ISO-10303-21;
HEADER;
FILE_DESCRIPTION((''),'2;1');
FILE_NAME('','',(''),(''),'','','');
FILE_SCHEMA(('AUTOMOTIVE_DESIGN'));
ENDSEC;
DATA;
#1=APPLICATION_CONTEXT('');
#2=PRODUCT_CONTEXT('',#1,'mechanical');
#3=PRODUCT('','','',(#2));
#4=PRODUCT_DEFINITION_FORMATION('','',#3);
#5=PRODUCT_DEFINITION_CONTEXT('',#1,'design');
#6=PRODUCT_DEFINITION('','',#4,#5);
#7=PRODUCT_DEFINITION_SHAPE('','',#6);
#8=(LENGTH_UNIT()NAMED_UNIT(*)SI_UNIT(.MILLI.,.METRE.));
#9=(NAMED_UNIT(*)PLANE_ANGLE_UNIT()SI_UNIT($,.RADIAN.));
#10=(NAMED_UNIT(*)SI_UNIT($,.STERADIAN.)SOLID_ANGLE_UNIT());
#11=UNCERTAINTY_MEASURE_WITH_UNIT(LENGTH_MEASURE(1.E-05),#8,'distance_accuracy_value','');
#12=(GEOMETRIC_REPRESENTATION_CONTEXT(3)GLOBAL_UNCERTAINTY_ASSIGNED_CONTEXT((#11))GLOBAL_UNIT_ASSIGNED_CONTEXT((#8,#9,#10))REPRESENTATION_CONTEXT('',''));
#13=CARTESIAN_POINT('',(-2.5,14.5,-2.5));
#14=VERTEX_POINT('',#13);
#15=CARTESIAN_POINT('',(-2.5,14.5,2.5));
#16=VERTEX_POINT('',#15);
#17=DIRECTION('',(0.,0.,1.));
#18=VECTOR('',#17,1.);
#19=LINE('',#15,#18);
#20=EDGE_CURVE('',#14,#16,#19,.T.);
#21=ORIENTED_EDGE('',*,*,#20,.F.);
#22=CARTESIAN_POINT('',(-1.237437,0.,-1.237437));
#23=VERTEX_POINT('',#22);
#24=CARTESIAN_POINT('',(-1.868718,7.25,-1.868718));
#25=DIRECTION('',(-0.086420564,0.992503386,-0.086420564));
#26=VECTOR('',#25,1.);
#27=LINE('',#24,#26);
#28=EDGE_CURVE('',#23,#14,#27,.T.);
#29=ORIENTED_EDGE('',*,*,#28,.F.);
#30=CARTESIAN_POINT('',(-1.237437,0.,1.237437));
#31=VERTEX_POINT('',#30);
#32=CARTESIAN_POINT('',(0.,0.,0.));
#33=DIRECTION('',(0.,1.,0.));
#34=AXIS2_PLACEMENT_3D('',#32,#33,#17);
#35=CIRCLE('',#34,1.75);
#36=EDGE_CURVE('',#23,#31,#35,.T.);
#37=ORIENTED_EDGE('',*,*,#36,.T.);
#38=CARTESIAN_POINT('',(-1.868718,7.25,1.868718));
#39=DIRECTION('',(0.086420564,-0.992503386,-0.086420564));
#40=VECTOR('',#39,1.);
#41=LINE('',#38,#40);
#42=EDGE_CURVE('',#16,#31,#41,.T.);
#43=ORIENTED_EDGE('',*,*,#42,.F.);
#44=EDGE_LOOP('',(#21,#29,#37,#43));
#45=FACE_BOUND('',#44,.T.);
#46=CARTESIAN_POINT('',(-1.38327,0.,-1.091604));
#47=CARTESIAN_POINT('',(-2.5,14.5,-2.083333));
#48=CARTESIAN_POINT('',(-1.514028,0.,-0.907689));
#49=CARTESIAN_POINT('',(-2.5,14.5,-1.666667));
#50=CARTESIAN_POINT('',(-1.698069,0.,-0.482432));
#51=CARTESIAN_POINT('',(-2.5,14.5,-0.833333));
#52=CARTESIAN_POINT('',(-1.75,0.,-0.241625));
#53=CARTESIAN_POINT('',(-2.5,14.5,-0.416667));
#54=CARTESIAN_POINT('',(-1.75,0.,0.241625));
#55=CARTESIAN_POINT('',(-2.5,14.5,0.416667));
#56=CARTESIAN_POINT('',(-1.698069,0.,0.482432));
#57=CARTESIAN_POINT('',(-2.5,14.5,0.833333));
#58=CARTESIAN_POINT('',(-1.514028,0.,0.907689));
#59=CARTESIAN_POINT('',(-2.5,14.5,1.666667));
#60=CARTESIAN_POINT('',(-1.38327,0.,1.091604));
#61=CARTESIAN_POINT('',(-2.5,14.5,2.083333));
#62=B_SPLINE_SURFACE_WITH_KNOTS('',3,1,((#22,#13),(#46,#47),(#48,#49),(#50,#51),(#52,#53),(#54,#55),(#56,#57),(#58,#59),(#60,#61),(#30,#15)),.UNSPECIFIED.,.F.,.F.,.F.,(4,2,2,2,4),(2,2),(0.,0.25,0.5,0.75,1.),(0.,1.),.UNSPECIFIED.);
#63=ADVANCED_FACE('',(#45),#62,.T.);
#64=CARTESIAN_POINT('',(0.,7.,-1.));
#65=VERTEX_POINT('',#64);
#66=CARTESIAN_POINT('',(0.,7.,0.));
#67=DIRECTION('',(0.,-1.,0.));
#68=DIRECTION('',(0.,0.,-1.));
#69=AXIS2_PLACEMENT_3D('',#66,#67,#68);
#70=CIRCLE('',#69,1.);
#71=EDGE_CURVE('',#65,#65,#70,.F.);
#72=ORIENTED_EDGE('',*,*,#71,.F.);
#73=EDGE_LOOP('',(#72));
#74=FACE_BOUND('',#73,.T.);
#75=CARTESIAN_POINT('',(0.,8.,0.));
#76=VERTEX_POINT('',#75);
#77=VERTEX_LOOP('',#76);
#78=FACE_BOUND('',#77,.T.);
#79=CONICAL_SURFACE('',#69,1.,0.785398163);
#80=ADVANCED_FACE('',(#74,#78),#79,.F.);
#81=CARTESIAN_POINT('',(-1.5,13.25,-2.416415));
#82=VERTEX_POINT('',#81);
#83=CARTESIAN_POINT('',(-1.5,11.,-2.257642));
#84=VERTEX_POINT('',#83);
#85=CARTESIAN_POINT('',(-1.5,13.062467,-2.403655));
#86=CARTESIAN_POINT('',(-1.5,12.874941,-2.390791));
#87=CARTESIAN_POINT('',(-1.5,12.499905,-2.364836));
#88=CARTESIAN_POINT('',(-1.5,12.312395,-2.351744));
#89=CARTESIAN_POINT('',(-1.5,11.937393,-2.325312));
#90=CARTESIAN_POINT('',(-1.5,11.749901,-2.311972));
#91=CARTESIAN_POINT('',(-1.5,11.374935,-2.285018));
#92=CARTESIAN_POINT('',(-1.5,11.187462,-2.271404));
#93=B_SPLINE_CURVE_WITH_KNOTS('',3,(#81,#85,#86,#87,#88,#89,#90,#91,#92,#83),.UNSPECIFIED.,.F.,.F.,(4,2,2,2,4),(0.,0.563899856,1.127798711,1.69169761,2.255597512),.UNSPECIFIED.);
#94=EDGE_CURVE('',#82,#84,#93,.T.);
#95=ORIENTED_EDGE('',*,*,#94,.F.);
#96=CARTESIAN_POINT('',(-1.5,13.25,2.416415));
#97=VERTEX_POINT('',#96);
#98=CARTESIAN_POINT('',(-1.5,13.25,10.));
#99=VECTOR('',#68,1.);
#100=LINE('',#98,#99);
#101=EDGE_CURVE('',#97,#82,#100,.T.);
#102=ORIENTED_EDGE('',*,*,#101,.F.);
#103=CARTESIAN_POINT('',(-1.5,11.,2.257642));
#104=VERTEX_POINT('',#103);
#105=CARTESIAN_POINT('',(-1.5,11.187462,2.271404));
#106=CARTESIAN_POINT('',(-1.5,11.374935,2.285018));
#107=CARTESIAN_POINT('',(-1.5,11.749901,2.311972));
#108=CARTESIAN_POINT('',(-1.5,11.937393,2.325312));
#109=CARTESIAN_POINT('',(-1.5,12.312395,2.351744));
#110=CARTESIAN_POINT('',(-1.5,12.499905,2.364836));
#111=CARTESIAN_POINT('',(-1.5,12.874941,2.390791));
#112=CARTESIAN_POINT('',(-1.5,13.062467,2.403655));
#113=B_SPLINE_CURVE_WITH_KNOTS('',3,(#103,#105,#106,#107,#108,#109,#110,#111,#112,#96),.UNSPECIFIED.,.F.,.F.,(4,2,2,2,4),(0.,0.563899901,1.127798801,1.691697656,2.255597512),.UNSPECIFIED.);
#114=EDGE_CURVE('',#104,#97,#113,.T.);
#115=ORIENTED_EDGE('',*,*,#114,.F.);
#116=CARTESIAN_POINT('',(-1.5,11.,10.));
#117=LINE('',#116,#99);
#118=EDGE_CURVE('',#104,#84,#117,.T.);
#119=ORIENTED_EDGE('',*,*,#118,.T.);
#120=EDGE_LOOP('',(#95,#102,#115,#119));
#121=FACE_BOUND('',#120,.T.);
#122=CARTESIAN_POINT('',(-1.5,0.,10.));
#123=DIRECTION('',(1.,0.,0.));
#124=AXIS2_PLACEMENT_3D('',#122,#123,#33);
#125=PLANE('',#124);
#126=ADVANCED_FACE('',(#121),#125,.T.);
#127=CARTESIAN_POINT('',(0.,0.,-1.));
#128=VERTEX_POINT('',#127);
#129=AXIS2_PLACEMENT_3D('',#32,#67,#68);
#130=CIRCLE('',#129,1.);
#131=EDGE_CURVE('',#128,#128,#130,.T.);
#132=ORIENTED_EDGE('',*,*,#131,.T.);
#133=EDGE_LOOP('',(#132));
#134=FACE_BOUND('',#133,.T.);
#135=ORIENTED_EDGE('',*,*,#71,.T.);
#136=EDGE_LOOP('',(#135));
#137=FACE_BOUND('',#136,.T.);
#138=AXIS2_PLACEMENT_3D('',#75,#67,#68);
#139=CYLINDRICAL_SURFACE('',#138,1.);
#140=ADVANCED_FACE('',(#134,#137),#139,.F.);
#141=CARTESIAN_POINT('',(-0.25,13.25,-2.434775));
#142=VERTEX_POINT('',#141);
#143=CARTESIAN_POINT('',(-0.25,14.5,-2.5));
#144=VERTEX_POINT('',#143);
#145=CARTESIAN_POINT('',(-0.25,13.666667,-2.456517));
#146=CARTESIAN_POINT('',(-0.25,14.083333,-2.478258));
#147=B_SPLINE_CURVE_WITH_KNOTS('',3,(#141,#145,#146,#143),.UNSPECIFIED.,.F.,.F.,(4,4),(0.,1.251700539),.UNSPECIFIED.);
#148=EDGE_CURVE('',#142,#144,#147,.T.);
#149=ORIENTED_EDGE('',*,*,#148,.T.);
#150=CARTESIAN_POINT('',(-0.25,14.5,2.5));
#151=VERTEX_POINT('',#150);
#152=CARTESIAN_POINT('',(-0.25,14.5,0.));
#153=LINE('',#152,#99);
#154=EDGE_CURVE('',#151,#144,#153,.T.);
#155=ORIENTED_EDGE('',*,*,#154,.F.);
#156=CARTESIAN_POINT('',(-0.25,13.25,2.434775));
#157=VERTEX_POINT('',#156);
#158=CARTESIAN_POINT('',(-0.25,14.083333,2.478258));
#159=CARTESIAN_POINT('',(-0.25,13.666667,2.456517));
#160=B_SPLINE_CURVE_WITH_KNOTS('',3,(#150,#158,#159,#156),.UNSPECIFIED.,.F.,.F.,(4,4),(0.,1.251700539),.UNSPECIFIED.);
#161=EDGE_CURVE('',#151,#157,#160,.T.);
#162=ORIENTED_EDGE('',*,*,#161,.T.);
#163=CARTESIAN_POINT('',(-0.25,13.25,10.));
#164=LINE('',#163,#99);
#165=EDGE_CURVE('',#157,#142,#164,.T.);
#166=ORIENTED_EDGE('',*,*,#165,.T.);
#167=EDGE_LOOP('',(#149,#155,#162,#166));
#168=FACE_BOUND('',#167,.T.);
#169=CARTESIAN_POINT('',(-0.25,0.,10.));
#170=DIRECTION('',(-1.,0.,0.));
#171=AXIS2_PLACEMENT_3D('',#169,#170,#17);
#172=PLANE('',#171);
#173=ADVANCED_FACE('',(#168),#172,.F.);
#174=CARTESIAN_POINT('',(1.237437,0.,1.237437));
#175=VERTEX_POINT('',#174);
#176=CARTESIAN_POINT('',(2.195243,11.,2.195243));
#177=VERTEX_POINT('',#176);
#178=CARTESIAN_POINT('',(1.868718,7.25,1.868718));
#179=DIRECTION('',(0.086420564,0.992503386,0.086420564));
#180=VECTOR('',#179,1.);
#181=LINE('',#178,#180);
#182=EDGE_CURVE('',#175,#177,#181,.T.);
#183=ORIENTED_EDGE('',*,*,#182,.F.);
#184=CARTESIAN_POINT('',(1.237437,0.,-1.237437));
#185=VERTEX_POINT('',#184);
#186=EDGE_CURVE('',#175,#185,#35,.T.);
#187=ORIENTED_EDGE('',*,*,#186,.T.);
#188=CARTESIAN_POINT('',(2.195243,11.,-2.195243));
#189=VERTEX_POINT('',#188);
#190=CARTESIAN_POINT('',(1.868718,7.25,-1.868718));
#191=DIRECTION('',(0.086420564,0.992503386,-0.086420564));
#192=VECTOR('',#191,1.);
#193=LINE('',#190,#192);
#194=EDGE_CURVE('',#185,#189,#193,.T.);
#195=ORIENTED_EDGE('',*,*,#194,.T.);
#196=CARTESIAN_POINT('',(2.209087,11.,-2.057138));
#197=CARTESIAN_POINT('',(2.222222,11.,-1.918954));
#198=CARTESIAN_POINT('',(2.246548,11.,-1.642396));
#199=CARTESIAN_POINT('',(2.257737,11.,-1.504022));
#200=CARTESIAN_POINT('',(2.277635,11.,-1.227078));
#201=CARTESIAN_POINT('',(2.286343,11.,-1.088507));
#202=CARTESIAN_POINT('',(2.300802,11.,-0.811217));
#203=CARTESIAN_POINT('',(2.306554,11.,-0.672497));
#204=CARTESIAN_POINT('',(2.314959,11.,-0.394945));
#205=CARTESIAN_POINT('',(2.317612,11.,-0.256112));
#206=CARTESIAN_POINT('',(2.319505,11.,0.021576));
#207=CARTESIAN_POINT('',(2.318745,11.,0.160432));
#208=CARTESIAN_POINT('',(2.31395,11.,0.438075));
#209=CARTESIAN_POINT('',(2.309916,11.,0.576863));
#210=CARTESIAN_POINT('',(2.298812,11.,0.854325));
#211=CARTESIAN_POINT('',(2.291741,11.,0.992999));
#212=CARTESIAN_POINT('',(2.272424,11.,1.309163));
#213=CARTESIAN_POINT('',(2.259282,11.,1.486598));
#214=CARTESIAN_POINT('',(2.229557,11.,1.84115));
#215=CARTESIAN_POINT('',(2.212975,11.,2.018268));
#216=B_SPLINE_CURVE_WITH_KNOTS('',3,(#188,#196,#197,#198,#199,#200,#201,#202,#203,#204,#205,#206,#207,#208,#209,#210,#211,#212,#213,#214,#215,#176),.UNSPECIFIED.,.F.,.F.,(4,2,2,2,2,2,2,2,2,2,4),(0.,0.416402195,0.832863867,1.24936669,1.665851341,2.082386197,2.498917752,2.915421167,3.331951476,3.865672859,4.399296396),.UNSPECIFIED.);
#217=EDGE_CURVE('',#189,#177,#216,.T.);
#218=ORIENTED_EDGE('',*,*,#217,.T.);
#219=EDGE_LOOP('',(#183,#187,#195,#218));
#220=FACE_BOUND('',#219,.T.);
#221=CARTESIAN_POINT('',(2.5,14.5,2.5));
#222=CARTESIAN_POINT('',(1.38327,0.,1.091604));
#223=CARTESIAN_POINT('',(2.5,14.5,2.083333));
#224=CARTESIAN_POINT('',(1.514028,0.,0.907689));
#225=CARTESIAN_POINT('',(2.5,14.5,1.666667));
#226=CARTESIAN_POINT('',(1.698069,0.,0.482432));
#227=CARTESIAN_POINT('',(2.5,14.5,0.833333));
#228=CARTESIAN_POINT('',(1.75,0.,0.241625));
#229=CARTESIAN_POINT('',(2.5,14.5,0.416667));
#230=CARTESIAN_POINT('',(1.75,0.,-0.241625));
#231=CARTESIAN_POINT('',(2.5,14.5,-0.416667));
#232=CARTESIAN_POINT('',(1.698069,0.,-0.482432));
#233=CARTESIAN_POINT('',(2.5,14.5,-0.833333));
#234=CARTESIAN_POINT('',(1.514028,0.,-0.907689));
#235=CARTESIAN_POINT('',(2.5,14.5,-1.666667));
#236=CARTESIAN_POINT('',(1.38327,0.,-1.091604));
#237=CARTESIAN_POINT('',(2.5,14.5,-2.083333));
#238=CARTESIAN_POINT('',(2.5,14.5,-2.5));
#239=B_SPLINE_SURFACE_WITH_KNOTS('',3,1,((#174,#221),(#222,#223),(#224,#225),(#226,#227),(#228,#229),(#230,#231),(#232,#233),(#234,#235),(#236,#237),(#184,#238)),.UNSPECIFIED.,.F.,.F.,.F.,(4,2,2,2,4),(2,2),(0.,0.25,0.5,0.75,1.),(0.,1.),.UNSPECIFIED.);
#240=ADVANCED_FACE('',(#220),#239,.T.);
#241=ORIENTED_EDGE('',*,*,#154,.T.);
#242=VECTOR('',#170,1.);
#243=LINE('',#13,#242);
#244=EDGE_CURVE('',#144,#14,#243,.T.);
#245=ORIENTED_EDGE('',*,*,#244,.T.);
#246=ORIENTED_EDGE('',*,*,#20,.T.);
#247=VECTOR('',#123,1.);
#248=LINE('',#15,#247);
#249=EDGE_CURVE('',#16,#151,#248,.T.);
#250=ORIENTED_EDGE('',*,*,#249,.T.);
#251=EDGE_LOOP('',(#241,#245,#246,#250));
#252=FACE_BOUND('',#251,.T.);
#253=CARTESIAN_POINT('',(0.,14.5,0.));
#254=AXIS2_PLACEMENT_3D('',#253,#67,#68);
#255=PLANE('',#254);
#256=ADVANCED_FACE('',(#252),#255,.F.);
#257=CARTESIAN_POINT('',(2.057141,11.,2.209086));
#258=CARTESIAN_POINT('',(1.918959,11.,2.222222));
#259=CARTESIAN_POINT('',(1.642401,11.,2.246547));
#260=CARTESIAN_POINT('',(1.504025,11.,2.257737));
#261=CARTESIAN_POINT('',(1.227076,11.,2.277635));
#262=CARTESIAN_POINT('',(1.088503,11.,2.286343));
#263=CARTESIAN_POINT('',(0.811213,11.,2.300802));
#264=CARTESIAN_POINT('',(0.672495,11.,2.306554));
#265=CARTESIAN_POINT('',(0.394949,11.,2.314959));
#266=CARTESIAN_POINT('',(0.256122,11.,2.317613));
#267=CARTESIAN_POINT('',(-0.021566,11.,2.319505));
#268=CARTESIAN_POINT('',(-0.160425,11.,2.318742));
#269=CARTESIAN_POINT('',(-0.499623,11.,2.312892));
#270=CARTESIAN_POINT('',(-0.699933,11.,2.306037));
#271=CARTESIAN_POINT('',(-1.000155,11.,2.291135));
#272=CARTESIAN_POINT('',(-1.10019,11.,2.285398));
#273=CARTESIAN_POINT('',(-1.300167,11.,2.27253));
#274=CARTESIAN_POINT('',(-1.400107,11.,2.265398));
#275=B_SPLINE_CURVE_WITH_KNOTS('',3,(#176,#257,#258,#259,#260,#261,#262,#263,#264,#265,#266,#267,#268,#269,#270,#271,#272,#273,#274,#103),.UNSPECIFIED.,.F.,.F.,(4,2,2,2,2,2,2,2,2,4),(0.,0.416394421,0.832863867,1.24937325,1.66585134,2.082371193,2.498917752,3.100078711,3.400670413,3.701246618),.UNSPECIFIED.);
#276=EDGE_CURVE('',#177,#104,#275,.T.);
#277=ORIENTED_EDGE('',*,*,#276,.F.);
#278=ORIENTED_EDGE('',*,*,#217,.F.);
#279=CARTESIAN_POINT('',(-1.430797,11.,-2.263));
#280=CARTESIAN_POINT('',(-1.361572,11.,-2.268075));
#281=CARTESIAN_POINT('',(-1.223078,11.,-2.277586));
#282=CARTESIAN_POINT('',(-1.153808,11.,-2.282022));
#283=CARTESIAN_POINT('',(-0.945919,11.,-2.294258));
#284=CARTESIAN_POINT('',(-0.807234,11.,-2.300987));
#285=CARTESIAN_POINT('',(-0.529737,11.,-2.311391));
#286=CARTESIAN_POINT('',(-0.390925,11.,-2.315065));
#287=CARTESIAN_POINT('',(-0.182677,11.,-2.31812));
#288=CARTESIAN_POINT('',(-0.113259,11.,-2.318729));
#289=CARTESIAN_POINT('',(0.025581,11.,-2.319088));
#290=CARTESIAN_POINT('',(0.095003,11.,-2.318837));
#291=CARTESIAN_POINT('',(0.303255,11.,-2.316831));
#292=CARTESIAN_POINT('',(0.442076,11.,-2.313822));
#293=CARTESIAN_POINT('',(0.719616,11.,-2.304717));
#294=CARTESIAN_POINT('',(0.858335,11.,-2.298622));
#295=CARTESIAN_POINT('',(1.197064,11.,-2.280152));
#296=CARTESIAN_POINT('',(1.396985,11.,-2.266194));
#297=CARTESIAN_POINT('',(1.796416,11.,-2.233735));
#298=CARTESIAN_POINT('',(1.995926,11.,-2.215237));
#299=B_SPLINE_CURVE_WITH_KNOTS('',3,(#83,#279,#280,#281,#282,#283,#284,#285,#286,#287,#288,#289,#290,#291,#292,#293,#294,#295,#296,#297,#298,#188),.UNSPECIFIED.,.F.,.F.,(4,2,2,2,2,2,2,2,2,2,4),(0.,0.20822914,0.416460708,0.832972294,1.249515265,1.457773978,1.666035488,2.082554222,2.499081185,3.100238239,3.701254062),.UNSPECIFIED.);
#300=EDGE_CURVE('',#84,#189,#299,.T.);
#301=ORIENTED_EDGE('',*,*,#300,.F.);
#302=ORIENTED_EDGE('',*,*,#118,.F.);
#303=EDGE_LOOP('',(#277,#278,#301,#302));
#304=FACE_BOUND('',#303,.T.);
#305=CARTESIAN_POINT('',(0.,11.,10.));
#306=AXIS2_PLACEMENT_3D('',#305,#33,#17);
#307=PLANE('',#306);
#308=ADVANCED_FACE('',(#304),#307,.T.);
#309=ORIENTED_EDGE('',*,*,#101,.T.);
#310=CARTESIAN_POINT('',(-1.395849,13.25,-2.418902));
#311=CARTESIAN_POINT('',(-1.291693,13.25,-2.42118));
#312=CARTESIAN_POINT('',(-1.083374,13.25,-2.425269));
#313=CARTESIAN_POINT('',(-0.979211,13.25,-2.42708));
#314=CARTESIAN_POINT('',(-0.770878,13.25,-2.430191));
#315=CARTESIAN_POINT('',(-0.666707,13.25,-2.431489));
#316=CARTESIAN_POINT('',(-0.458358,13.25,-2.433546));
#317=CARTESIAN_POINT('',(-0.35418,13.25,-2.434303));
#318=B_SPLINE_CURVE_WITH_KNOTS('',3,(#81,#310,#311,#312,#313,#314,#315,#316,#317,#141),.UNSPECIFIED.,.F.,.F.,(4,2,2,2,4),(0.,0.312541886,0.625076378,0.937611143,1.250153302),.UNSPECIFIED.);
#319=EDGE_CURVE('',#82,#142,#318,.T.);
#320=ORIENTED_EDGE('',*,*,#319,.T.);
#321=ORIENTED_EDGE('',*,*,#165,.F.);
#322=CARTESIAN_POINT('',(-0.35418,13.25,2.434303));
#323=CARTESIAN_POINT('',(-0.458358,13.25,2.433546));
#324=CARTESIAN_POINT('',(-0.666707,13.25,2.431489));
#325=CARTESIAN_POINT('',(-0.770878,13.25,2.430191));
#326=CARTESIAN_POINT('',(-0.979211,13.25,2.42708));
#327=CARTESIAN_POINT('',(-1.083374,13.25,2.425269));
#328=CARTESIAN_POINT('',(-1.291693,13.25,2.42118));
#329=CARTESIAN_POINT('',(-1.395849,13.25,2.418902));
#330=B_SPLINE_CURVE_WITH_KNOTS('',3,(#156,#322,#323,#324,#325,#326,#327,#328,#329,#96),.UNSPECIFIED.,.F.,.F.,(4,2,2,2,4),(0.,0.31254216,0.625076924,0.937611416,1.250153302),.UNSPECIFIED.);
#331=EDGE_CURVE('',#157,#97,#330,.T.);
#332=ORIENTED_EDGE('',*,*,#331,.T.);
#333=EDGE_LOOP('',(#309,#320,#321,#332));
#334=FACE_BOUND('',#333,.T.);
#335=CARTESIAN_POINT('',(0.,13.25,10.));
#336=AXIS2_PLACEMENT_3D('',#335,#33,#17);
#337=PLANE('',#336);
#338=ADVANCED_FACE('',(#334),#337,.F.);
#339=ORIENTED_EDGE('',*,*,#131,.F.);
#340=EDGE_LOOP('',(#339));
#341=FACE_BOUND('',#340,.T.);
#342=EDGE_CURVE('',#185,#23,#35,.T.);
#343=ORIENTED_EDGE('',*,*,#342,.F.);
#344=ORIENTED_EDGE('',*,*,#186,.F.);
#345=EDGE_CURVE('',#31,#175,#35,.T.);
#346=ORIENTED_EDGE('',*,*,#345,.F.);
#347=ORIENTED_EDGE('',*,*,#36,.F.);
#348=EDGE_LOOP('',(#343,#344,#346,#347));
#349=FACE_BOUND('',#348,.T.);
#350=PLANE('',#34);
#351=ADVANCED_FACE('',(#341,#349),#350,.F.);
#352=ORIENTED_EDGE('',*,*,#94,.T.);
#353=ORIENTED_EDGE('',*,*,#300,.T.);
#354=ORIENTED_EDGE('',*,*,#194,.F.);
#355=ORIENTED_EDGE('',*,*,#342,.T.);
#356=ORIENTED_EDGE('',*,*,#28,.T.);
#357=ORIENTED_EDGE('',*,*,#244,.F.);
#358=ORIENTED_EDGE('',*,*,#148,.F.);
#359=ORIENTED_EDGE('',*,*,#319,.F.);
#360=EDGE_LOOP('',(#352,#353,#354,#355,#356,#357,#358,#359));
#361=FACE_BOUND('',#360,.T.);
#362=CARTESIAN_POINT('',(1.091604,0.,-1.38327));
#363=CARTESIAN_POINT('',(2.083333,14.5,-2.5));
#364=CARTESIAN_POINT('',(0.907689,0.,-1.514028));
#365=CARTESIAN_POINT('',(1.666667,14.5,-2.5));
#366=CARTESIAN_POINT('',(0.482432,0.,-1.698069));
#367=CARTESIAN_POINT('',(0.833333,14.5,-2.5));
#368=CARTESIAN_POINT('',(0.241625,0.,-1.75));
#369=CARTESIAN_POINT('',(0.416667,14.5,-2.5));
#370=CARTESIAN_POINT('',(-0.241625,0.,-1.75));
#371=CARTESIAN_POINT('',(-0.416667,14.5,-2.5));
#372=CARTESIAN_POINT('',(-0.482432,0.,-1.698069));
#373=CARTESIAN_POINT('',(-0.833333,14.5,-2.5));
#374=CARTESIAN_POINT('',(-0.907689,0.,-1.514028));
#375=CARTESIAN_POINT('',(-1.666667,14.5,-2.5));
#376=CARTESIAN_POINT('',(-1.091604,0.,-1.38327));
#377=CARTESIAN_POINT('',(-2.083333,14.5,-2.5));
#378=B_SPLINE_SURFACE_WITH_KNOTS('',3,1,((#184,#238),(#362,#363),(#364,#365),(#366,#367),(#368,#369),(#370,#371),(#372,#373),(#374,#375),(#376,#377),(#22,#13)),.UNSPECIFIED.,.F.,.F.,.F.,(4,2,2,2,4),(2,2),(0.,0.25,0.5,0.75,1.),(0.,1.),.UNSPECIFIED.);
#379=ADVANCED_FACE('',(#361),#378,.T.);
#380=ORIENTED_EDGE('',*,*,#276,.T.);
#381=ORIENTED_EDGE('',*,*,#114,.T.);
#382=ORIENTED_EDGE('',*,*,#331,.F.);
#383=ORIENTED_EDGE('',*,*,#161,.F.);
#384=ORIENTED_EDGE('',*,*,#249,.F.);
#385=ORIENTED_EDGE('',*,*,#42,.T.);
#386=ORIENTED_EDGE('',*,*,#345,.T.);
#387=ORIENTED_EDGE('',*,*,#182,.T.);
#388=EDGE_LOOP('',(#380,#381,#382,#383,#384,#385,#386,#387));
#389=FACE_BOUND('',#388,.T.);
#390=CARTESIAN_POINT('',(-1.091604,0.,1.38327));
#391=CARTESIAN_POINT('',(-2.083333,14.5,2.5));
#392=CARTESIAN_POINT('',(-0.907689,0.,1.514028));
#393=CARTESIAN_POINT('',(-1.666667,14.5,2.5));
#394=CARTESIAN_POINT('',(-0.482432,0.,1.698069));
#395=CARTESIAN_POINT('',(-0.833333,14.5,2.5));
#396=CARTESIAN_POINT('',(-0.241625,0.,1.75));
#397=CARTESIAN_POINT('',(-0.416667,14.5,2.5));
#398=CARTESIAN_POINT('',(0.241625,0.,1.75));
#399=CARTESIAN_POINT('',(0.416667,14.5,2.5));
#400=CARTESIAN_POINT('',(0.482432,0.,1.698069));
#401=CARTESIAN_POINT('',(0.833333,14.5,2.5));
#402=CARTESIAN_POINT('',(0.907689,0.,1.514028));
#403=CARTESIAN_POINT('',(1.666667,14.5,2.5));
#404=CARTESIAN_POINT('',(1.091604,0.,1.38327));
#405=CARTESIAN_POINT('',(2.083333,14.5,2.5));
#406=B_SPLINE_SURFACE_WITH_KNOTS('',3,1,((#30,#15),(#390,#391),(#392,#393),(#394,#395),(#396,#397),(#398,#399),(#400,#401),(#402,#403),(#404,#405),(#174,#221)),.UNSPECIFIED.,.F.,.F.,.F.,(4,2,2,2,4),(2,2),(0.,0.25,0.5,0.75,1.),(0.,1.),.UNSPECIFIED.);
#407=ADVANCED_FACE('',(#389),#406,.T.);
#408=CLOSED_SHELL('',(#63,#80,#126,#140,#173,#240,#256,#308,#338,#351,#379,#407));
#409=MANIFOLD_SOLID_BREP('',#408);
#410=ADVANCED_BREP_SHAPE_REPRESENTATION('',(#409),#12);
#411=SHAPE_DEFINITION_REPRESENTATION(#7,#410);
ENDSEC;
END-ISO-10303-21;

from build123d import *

# Parameters (mm, degrees)
CUT_EXTRUDE3_DEPTH      = 10
CUT_EXTRUDE3_DEPTH_BACK = 10
SKETCH3_R               = 1
CUT_EXTRUDE2_DEPTH      = 8
CHAMFER1_SIZE           = 1


with BuildPart() as part:
    # Sketch4 for Loft1 → Loft1 section 0
    with BuildSketch(Plane(origin=(0, 0, 0), x_dir=(1, 0, 0), z_dir=(0, 1, 0))):
        with BuildLine():
            # circular arc as an exact rational Bezier (weights 1, cos(half-angle), 1)
            Bezier((-1.237436867, -1.237436867), (0, -2.474873734), (1.237436867, -1.237436867), weights=[1, 0.707106781, 1])
            Bezier((1.237436867, -1.237436867), (2.474873734, 0), (1.237436867, 1.237436867), weights=[1, 0.707106781, 1])
            Bezier((1.237436867, 1.237436867), (0, 2.474873734), (-1.237436867, 1.237436867), weights=[1, 0.707106781, 1])
            Bezier((-1.237436867, 1.237436867), (-2.474873734, 0), (-1.237436867, -1.237436867), weights=[1, 0.707106781, 1])
        make_face()
    # Sketch1 → Loft1 section 1
    with BuildSketch(Plane(origin=(0, 14.5, 0), x_dir=(1, 0, 0), z_dir=(0, 1, 0))):
        with BuildLine():
            Line((-2.5, -2.5), (2.5, -2.5))
            Line((2.5, -2.5), (2.5, 2.5))
            Line((2.5, 2.5), (-2.5, 2.5))
            Line((-2.5, 2.5), (-2.5, -2.5))
        make_face()
    loft()

    # Sketch8 → Cut-Extrude3 (cut, two sides: drawn at the far end of the back side and taken through both)
    with BuildSketch(Plane.XY.offset(-CUT_EXTRUDE3_DEPTH_BACK)):
        Polygon((-0.25, 13.25), (-1.5, 13.25), (-1.5, 11), (2.195243382, 11), (3.151773284, 11), (3.151773284, 14.772897757), (-0.25, 14.772897757), align=None)
    extrude(amount=CUT_EXTRUDE3_DEPTH + CUT_EXTRUDE3_DEPTH_BACK, mode=Mode.SUBTRACT)

    # Sketch3 → Cut-Extrude2 (cut)
    with BuildSketch(Plane.XZ):
        Circle(SKETCH3_R)
    extrude(amount=-CUT_EXTRUDE2_DEPTH, mode=Mode.SUBTRACT)

    # Chamfer1
    chamfer1_edges = [part.edges().sort_by_distance(p)[0] for p in [
        (-1, 8, 0),
    ]]
    chamfer(chamfer1_edges, length=CHAMFER1_SIZE)


solid = part.part
